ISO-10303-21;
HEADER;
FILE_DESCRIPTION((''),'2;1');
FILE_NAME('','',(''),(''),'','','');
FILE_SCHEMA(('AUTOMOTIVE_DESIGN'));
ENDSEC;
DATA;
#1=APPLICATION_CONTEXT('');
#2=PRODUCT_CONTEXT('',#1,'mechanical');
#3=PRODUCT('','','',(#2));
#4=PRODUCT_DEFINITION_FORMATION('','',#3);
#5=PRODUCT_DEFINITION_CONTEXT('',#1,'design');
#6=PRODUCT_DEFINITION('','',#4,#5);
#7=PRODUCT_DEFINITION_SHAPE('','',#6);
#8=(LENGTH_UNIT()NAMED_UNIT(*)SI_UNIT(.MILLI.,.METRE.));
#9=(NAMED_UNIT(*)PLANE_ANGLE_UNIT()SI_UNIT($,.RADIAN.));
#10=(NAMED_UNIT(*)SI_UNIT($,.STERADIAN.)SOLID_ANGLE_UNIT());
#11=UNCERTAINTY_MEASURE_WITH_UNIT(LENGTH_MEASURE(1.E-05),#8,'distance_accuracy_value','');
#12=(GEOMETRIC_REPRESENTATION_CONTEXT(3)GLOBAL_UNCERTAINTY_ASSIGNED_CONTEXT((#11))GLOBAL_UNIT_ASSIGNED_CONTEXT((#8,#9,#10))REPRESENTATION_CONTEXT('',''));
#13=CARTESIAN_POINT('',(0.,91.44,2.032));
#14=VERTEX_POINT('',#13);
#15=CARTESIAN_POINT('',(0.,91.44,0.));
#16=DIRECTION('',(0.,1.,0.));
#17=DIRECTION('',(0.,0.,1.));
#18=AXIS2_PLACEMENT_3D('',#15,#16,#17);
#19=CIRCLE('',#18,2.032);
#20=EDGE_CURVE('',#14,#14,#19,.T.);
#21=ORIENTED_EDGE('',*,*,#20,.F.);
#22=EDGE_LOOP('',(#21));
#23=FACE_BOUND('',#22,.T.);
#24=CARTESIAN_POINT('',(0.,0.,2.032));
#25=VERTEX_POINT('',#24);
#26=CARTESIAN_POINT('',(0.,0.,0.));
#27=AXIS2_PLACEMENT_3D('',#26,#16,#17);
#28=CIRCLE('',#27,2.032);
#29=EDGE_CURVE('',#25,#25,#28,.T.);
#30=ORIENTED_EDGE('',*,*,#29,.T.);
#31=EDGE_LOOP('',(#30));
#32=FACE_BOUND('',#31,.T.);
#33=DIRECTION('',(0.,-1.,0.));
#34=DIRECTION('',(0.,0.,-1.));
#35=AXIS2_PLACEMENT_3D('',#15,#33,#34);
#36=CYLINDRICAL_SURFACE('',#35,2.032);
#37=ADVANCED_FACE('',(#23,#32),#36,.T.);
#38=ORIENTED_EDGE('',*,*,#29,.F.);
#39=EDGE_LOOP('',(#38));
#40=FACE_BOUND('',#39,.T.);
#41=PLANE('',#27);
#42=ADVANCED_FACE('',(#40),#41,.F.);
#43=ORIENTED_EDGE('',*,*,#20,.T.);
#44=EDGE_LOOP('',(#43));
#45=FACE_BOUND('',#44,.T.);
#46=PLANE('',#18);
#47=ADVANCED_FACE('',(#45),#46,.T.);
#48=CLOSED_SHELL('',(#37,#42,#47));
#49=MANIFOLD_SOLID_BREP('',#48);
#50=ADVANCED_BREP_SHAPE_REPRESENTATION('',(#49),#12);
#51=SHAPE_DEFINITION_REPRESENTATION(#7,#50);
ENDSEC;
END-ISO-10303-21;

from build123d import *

# Parameters (mm, degrees)
SKETCH1_R           = 2.032
BOSS_EXTRUDE1_DEPTH = 91.44


with BuildPart() as part:
    # Sketch1 → Boss-Extrude1 (new body)
    with BuildSketch(Plane(origin=(0, 0, 0), x_dir=(1, 0, 0), z_dir=(0, 1, 0))):
        with Locations(Location((0, 0, 0), (0, 0, 270))):
            Circle(SKETCH1_R)
    extrude(amount=BOSS_EXTRUDE1_DEPTH)


solid = part.part
